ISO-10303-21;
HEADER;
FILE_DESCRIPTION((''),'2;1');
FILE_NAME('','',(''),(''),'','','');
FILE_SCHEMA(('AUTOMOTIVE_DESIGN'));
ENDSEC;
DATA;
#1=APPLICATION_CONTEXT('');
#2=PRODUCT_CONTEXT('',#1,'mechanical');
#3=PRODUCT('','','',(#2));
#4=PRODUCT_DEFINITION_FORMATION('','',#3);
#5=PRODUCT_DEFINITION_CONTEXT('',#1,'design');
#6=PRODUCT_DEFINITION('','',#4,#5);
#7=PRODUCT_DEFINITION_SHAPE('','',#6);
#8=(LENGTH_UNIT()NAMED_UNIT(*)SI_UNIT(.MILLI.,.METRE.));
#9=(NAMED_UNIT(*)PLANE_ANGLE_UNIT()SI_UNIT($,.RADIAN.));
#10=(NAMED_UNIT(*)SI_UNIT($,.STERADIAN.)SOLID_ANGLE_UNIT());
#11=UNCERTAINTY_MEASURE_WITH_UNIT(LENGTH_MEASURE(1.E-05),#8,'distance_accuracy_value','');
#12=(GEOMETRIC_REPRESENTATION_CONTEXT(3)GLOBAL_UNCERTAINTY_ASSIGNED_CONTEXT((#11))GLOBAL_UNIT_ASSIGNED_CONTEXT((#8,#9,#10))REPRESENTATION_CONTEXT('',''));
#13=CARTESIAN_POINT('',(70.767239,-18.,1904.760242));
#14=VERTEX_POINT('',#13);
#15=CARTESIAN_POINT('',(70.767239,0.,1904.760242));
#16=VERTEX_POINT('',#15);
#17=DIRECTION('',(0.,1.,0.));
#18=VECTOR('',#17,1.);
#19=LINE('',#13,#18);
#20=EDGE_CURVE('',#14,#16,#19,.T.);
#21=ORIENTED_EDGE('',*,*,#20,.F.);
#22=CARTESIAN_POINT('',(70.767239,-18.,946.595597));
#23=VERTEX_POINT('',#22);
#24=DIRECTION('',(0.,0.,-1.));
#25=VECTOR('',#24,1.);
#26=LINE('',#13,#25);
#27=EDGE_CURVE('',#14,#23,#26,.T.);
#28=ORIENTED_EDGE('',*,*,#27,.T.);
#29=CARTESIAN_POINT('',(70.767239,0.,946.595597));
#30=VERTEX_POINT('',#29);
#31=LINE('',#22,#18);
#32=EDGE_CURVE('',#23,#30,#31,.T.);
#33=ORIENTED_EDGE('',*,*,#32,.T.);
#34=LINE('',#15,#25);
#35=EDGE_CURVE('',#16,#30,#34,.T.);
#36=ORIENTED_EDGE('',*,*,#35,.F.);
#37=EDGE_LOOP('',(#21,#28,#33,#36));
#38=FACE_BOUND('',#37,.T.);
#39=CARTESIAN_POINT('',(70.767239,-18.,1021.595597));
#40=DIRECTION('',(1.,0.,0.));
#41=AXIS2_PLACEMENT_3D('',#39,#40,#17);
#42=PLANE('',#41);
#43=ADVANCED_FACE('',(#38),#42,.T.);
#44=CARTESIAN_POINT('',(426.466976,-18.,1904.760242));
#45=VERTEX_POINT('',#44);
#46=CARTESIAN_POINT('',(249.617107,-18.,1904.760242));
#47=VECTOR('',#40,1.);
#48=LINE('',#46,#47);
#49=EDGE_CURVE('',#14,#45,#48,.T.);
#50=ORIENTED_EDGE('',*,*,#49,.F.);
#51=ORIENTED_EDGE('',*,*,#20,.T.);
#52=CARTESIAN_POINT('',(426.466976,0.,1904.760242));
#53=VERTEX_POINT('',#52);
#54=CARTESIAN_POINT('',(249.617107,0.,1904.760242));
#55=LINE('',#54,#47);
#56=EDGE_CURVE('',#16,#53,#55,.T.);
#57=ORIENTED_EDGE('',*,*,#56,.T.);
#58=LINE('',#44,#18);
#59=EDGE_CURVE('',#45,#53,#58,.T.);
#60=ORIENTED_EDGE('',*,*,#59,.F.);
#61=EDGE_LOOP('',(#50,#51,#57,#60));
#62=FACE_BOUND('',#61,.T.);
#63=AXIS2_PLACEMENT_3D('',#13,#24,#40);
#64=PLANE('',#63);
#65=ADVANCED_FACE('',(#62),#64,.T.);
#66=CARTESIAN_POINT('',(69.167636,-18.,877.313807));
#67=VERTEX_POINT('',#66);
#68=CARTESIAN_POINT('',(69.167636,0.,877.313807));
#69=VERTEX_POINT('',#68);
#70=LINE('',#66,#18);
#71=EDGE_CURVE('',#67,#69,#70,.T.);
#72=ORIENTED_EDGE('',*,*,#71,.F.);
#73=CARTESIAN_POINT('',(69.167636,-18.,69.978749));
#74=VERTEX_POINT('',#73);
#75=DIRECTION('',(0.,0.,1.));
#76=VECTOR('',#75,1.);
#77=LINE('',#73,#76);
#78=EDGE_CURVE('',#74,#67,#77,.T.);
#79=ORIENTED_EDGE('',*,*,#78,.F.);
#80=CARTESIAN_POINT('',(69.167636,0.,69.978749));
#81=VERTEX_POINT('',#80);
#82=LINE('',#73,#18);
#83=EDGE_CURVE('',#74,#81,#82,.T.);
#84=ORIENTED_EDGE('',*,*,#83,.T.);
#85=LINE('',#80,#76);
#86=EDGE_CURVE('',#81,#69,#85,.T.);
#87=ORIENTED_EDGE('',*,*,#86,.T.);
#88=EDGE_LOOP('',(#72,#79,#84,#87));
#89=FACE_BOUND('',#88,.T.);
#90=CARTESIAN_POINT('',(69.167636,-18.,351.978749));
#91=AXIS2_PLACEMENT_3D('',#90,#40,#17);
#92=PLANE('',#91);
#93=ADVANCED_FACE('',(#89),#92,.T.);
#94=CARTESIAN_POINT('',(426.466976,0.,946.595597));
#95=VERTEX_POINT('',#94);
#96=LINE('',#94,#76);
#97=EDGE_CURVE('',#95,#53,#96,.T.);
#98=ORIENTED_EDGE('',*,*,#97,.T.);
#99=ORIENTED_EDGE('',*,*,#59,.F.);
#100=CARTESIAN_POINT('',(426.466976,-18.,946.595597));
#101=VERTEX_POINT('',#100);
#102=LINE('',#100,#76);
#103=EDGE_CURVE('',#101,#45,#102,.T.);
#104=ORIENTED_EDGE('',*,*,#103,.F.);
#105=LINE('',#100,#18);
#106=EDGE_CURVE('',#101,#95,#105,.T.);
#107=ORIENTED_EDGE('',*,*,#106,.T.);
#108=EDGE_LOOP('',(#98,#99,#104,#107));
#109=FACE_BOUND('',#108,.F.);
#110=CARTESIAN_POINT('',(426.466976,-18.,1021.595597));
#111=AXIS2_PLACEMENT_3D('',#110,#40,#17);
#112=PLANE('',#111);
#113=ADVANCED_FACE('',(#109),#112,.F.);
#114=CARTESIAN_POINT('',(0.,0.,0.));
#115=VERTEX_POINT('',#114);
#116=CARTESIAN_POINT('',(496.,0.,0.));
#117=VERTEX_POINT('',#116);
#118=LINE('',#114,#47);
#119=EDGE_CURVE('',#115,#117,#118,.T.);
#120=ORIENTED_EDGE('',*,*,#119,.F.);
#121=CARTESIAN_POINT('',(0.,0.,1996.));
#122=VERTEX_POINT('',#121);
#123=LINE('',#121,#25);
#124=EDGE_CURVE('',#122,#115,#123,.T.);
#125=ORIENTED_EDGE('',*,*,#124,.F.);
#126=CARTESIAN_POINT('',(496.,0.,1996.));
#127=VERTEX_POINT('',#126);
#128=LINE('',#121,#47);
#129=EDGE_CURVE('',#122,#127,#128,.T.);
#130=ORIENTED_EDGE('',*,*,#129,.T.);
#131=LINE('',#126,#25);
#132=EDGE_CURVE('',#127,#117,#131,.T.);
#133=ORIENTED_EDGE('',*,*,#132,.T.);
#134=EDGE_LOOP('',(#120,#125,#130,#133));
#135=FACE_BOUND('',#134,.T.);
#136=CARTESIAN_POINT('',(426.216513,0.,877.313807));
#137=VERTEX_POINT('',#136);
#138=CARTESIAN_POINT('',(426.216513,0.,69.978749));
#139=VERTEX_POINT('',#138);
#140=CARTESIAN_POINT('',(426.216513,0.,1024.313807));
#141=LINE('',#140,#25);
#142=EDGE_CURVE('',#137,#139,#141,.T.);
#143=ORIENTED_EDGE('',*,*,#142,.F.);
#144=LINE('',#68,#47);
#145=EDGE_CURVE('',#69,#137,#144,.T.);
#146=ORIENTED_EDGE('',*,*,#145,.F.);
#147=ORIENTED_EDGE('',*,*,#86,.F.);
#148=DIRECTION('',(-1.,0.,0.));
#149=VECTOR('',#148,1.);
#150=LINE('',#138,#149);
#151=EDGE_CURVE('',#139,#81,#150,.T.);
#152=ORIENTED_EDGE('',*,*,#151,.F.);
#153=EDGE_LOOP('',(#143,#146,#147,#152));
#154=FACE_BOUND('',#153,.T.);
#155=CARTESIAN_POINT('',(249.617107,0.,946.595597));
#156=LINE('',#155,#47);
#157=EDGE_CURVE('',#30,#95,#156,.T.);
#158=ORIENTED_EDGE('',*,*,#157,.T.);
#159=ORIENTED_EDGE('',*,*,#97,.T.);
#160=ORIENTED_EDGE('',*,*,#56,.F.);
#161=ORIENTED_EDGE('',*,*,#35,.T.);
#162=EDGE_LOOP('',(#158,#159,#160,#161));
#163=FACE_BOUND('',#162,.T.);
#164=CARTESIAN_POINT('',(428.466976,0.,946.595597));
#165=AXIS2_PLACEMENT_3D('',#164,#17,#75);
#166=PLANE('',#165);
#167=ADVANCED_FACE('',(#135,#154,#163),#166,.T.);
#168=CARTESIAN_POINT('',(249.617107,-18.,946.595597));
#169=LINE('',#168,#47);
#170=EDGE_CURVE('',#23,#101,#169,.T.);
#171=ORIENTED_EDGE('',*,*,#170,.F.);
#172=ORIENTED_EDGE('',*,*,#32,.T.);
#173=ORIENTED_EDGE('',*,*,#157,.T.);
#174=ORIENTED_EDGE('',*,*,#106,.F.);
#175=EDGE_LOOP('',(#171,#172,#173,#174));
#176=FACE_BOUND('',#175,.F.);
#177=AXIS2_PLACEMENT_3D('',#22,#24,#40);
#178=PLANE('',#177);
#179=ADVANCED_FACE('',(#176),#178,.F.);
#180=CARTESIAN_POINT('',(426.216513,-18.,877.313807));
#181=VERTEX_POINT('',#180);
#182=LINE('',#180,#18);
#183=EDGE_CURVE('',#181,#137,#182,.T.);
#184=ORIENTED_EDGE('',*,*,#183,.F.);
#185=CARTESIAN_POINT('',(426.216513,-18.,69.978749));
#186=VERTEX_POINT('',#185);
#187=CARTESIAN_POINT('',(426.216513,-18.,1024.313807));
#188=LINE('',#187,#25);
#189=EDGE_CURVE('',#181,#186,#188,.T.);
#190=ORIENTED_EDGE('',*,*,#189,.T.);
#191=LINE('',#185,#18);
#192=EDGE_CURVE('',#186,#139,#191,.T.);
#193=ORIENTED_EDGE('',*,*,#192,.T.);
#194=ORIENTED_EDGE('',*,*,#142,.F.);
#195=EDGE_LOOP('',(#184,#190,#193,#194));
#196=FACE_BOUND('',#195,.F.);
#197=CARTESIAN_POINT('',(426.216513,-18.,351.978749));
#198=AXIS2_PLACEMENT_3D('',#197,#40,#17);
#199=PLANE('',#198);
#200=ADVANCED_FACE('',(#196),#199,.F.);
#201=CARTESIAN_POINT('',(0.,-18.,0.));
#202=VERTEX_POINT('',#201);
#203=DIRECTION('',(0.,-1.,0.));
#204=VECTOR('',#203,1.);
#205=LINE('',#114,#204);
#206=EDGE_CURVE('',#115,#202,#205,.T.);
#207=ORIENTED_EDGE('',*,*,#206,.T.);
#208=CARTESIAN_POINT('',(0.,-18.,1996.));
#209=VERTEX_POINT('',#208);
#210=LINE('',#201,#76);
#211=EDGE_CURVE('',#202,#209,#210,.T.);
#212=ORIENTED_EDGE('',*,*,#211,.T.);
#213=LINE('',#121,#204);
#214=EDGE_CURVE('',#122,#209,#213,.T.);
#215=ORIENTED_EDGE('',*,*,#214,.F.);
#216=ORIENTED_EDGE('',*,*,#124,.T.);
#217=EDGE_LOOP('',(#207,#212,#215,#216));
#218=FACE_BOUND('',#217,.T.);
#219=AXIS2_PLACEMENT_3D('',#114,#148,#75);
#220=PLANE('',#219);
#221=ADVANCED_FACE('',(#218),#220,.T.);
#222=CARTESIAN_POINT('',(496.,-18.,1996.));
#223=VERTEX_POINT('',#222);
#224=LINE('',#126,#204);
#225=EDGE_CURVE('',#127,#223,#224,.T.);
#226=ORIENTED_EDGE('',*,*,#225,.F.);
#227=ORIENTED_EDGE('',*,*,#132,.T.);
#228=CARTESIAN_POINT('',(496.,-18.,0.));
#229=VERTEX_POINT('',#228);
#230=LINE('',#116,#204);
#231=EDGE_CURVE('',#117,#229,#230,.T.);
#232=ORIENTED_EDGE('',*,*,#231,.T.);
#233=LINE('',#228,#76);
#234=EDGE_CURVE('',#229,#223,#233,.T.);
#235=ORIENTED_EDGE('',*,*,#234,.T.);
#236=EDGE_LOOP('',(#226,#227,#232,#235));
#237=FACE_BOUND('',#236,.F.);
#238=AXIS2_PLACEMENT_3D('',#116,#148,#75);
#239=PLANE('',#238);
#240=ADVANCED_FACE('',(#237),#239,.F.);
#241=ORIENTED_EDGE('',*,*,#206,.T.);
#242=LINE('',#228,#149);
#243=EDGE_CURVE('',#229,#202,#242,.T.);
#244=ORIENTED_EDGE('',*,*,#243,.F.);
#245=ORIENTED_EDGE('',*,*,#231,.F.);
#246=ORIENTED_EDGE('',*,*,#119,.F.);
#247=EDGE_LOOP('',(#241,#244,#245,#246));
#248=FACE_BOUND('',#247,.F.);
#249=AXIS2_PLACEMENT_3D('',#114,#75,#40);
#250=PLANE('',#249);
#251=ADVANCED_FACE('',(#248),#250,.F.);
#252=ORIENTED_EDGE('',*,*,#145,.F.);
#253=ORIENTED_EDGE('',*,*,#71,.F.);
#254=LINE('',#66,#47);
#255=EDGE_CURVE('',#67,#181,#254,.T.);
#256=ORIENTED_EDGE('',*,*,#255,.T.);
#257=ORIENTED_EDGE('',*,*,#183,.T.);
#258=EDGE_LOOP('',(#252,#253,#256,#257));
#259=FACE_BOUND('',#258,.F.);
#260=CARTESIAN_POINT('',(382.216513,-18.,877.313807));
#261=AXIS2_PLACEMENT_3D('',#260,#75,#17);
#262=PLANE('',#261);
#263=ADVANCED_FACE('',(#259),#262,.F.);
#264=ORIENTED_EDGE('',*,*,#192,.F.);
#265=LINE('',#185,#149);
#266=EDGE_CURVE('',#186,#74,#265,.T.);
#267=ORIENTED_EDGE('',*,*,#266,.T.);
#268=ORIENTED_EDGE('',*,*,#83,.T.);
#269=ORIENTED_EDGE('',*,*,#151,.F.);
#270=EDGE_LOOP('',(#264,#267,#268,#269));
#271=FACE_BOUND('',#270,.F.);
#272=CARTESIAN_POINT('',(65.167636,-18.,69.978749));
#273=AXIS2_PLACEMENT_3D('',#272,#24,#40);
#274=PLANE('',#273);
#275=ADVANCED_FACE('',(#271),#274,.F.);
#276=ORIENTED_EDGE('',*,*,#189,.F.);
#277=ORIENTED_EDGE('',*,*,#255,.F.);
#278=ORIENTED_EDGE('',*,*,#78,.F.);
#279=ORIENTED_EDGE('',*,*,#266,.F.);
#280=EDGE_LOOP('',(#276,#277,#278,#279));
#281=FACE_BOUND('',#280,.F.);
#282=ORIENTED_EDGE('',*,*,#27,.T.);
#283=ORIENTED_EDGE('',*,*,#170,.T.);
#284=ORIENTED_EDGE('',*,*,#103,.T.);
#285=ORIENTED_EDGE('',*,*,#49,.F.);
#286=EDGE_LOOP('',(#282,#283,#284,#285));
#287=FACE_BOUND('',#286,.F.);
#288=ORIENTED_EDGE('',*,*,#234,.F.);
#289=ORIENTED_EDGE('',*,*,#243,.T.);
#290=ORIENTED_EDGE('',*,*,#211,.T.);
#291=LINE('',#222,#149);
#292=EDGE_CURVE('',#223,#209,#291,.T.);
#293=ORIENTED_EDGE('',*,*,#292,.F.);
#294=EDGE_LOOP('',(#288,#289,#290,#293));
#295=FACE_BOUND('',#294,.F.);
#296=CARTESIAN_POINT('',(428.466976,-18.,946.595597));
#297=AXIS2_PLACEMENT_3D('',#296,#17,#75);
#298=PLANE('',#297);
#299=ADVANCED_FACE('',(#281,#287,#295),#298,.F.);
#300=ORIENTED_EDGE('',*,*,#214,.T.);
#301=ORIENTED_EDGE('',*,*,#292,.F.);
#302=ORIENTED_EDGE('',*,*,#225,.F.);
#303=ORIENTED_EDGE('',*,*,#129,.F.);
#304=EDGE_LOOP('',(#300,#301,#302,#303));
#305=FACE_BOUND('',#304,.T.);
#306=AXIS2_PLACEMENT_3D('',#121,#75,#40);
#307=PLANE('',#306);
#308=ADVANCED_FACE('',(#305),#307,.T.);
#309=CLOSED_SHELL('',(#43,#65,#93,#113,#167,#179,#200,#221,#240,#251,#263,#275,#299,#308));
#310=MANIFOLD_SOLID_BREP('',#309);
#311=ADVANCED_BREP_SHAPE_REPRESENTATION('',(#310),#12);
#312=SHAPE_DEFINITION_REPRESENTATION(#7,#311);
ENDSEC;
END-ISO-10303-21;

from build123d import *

# Parameters (mm, degrees)
F0_W      = 50.518155098
F0_H      = 63.5085105896
F1_DEPTH  = 18
F2_DEPTH  = 496
F3_DEPTH  = 1996
F4_W      = 317.0488774776
F4_H      = 672.3350584507
F5_DEPTH  = 18
F6_DEPTH  = 66
F7_DEPTH  = 68
F8_DEPTH  = 6
F9_DEPTH  = 282
F10_DEPTH = 44
F11_DEPTH = 147
F12_W     = 357.6997369528
F12_H     = 883.1646442413
F13_DEPTH = 18
F14_DEPTH = 75
F15_DEPTH = 2


with BuildPart() as f1:
    # F0 (on Front) → F1 (new body)
    with BuildSketch(Plane.XZ):
        with Locations((25.259077549, 31.7542552948)):
            Rectangle(F0_W, F0_H)
    extrude(amount=F1_DEPTH)

    # F2 (add): a face of the model
    f2_faces = [f1.faces().sort_by_distance(p)[0] for p in [
        (0, -9, 31.7542552948),
    ]]
    extrude(f2_faces, amount=-F2_DEPTH)

    # F3 (add): a face of the model
    f3_faces = [f1.faces().sort_by_distance(p)[0] for p in [
        (248, -9, 0),
    ]]
    extrude(f3_faces, amount=-F3_DEPTH)

    # F4 (on face) → F5 (cut)
    with BuildSketch(Plane.XZ.offset(18)):
        with Locations((223.6920744181, 688.1462782621)):
            Rectangle(F4_W, F4_H)
    extrude(amount=-F5_DEPTH, mode=Mode.SUBTRACT)

    # F6 (add): a face of the model
    f6_faces = [f1.faces().sort_by_distance(p)[0] for p in [
        (65.1676356792, -9, 688.1462782621),
    ]]
    extrude(f6_faces, amount=F6_DEPTH)

    # F7 (cut): a face of the model
    f7_faces = [f1.faces().sort_by_distance(p)[0] for p in [
        (131.1676356792, -9, 688.1462782621),
    ]]
    extrude(f7_faces, amount=-F7_DEPTH, mode=Mode.SUBTRACT)

    # F8 (add): a face of the model
    f8_faces = [f1.faces().sort_by_distance(p)[0] for p in [
        (63.1676356792, -9, 688.1462782621),
    ]]
    extrude(f8_faces, amount=F8_DEPTH)

    # F9 (cut): a face of the model
    f9_faces = [f1.faces().sort_by_distance(p)[0] for p in [
        (225.6920744181, -9, 351.9787490368),
    ]]
    extrude(f9_faces, amount=-F9_DEPTH, mode=Mode.SUBTRACT)

    # F10 (cut): a face of the model
    f10_faces = [f1.faces().sort_by_distance(p)[0] for p in [
        (382.2165131569, -9, 547.1462782621),
    ]]
    extrude(f10_faces, amount=-F10_DEPTH, mode=Mode.SUBTRACT)

    # F11 (add): a face of the model
    f11_faces = [f1.faces().sort_by_distance(p)[0] for p in [
        (247.6920744181, -9, 1024.3138074875),
    ]]
    extrude(f11_faces, amount=F11_DEPTH)

    # F12 (on face) → F13 (cut)
    with BuildSketch(Plane.XZ.offset(18)):
        with Locations((249.6171072125, 1463.1779193878)):
            Rectangle(F12_W, F12_H)
    extrude(amount=-F13_DEPTH, mode=Mode.SUBTRACT)

    # F14 (cut): a face of the model
    f14_faces = [f1.faces().sort_by_distance(p)[0] for p in [
        (249.6171072125, -9, 1021.5955972672),
    ]]
    extrude(f14_faces, amount=-F14_DEPTH, mode=Mode.SUBTRACT)

    # F15 (add): a face of the model
    f15_faces = [f1.faces().sort_by_distance(p)[0] for p in [
        (428.4669756889, -9, 1425.6779193878),
    ]]
    extrude(f15_faces, amount=F15_DEPTH)


solid = f1.part
